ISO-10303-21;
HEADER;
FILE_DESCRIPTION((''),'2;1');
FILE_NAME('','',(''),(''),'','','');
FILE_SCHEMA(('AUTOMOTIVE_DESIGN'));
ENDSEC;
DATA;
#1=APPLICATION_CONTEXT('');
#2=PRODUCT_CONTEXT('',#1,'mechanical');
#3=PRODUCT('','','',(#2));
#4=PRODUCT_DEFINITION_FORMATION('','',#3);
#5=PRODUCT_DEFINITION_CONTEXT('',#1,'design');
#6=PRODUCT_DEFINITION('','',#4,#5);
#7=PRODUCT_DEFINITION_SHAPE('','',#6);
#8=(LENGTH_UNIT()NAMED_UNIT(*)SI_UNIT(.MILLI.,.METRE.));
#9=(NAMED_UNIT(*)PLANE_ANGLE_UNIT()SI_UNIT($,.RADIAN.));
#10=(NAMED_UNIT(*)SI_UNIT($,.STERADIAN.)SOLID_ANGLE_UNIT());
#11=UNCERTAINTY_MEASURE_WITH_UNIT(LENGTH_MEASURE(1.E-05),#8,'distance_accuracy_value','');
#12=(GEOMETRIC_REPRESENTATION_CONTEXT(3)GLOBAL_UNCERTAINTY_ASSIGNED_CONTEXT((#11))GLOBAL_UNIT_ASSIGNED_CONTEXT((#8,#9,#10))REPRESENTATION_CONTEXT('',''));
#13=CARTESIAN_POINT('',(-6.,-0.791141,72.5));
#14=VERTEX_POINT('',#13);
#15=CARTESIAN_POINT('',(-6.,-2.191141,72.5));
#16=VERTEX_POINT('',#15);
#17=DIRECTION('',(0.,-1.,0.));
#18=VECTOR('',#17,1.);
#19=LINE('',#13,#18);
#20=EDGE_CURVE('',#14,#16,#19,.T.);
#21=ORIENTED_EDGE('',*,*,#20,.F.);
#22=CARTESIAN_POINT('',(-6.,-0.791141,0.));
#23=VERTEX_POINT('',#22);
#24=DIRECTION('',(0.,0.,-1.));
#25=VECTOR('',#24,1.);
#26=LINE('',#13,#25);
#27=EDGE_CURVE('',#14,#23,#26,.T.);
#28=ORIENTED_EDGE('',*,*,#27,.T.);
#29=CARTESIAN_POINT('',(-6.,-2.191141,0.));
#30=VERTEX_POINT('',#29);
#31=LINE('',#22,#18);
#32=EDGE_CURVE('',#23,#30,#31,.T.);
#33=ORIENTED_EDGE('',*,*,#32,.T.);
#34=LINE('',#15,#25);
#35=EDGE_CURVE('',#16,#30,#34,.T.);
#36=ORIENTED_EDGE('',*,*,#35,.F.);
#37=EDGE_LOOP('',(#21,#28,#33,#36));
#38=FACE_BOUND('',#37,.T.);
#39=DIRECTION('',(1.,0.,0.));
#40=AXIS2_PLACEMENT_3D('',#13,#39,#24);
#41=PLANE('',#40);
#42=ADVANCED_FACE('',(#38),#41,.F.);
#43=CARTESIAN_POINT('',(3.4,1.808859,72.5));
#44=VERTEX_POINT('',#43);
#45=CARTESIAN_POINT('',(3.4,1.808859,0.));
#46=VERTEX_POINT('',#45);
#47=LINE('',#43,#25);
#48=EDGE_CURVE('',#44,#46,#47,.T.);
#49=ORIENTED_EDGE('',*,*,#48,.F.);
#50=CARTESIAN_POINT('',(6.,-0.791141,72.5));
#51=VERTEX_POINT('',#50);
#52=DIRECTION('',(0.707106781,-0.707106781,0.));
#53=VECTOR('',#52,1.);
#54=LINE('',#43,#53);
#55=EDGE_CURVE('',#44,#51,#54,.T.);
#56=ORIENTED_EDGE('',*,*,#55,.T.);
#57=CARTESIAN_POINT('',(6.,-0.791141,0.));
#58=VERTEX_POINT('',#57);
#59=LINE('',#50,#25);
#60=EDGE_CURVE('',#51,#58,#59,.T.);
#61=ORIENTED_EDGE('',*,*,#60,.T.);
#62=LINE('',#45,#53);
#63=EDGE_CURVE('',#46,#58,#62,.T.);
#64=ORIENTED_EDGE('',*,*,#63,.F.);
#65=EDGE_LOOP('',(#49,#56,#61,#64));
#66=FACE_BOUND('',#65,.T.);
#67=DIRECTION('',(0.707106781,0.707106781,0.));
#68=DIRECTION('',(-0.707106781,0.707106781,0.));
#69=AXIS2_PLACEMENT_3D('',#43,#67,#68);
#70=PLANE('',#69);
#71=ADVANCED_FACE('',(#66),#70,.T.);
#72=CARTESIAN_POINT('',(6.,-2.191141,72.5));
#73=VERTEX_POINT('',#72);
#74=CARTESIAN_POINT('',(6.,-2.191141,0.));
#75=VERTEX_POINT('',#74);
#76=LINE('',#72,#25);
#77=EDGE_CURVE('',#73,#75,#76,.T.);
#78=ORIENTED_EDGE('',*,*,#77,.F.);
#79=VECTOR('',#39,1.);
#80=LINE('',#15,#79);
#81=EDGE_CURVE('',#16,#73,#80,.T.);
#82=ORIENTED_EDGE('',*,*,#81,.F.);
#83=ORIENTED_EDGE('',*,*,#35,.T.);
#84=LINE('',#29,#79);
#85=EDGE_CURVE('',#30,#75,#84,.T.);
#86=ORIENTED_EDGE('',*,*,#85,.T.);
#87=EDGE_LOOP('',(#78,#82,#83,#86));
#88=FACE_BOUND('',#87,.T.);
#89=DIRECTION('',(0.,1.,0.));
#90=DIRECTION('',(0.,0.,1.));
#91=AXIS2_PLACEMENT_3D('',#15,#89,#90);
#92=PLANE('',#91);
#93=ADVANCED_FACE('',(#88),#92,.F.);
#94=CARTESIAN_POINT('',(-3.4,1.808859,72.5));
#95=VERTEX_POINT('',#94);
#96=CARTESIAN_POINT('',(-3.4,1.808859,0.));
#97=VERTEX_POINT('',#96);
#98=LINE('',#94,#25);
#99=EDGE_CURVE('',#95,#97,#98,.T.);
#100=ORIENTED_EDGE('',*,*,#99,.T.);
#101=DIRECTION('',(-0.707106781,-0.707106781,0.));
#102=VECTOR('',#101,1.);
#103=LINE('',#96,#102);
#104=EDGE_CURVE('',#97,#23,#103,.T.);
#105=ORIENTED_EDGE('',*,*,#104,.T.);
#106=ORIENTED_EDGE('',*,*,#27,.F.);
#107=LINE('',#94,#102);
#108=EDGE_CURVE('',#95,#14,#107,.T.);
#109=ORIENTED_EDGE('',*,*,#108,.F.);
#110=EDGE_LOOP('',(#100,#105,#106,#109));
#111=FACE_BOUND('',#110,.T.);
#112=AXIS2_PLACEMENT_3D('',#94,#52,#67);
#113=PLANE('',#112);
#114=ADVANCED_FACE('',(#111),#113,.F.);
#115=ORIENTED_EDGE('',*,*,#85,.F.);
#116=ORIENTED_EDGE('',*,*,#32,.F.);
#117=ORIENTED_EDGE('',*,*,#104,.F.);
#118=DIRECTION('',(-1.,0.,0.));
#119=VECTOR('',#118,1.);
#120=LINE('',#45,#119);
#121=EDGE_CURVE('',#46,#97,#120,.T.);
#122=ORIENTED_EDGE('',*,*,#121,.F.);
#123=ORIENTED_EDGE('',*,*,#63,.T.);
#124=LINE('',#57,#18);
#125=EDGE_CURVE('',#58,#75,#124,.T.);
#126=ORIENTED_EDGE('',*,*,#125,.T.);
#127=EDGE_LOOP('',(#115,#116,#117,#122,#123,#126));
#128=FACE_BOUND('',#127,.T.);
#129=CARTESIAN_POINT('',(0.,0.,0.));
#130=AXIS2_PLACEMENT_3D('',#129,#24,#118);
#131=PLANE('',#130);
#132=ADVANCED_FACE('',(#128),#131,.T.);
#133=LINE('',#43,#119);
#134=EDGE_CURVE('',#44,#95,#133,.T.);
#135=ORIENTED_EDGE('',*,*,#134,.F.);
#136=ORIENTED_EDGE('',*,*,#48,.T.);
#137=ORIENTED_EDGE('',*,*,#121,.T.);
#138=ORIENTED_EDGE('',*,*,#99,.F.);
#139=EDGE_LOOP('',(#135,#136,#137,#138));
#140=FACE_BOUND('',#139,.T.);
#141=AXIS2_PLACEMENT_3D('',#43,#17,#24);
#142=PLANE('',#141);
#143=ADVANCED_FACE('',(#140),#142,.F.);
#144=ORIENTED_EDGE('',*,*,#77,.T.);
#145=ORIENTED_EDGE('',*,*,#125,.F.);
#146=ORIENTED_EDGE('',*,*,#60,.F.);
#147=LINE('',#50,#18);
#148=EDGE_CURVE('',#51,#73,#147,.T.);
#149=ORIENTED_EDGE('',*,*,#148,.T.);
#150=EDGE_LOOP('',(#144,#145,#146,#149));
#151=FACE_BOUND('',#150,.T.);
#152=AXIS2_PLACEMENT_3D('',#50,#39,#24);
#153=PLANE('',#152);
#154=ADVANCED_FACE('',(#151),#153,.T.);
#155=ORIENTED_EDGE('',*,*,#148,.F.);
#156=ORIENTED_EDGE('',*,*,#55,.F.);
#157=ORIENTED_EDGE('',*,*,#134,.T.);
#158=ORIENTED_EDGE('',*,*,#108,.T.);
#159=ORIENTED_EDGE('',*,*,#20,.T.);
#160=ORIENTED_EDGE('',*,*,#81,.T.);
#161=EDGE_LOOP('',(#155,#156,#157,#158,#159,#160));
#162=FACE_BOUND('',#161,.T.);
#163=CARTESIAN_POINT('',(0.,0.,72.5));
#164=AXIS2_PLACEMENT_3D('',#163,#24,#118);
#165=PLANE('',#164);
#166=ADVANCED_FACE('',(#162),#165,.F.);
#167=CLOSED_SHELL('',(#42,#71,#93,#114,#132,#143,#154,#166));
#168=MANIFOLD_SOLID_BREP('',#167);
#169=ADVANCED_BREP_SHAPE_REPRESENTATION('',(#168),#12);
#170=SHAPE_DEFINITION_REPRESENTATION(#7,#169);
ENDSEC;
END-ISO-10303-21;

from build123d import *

# Parameters (mm, degrees)
AUFSATZ_LINEAR_AUSTRAGEN1_DEPTH = 72.5


with BuildPart() as part:
    # Skizze1 → Aufsatz-Linear austragen1 (new body)
    with BuildSketch(Plane.XY):
        Polygon((3.4, 1.808858787), (-3.4, 1.808858787), (-6, -0.791141213), (-6, -2.191141213), (6, -2.191141213), (6, -0.791141213), align=None)
    extrude(amount=AUFSATZ_LINEAR_AUSTRAGEN1_DEPTH)


solid = part.part
